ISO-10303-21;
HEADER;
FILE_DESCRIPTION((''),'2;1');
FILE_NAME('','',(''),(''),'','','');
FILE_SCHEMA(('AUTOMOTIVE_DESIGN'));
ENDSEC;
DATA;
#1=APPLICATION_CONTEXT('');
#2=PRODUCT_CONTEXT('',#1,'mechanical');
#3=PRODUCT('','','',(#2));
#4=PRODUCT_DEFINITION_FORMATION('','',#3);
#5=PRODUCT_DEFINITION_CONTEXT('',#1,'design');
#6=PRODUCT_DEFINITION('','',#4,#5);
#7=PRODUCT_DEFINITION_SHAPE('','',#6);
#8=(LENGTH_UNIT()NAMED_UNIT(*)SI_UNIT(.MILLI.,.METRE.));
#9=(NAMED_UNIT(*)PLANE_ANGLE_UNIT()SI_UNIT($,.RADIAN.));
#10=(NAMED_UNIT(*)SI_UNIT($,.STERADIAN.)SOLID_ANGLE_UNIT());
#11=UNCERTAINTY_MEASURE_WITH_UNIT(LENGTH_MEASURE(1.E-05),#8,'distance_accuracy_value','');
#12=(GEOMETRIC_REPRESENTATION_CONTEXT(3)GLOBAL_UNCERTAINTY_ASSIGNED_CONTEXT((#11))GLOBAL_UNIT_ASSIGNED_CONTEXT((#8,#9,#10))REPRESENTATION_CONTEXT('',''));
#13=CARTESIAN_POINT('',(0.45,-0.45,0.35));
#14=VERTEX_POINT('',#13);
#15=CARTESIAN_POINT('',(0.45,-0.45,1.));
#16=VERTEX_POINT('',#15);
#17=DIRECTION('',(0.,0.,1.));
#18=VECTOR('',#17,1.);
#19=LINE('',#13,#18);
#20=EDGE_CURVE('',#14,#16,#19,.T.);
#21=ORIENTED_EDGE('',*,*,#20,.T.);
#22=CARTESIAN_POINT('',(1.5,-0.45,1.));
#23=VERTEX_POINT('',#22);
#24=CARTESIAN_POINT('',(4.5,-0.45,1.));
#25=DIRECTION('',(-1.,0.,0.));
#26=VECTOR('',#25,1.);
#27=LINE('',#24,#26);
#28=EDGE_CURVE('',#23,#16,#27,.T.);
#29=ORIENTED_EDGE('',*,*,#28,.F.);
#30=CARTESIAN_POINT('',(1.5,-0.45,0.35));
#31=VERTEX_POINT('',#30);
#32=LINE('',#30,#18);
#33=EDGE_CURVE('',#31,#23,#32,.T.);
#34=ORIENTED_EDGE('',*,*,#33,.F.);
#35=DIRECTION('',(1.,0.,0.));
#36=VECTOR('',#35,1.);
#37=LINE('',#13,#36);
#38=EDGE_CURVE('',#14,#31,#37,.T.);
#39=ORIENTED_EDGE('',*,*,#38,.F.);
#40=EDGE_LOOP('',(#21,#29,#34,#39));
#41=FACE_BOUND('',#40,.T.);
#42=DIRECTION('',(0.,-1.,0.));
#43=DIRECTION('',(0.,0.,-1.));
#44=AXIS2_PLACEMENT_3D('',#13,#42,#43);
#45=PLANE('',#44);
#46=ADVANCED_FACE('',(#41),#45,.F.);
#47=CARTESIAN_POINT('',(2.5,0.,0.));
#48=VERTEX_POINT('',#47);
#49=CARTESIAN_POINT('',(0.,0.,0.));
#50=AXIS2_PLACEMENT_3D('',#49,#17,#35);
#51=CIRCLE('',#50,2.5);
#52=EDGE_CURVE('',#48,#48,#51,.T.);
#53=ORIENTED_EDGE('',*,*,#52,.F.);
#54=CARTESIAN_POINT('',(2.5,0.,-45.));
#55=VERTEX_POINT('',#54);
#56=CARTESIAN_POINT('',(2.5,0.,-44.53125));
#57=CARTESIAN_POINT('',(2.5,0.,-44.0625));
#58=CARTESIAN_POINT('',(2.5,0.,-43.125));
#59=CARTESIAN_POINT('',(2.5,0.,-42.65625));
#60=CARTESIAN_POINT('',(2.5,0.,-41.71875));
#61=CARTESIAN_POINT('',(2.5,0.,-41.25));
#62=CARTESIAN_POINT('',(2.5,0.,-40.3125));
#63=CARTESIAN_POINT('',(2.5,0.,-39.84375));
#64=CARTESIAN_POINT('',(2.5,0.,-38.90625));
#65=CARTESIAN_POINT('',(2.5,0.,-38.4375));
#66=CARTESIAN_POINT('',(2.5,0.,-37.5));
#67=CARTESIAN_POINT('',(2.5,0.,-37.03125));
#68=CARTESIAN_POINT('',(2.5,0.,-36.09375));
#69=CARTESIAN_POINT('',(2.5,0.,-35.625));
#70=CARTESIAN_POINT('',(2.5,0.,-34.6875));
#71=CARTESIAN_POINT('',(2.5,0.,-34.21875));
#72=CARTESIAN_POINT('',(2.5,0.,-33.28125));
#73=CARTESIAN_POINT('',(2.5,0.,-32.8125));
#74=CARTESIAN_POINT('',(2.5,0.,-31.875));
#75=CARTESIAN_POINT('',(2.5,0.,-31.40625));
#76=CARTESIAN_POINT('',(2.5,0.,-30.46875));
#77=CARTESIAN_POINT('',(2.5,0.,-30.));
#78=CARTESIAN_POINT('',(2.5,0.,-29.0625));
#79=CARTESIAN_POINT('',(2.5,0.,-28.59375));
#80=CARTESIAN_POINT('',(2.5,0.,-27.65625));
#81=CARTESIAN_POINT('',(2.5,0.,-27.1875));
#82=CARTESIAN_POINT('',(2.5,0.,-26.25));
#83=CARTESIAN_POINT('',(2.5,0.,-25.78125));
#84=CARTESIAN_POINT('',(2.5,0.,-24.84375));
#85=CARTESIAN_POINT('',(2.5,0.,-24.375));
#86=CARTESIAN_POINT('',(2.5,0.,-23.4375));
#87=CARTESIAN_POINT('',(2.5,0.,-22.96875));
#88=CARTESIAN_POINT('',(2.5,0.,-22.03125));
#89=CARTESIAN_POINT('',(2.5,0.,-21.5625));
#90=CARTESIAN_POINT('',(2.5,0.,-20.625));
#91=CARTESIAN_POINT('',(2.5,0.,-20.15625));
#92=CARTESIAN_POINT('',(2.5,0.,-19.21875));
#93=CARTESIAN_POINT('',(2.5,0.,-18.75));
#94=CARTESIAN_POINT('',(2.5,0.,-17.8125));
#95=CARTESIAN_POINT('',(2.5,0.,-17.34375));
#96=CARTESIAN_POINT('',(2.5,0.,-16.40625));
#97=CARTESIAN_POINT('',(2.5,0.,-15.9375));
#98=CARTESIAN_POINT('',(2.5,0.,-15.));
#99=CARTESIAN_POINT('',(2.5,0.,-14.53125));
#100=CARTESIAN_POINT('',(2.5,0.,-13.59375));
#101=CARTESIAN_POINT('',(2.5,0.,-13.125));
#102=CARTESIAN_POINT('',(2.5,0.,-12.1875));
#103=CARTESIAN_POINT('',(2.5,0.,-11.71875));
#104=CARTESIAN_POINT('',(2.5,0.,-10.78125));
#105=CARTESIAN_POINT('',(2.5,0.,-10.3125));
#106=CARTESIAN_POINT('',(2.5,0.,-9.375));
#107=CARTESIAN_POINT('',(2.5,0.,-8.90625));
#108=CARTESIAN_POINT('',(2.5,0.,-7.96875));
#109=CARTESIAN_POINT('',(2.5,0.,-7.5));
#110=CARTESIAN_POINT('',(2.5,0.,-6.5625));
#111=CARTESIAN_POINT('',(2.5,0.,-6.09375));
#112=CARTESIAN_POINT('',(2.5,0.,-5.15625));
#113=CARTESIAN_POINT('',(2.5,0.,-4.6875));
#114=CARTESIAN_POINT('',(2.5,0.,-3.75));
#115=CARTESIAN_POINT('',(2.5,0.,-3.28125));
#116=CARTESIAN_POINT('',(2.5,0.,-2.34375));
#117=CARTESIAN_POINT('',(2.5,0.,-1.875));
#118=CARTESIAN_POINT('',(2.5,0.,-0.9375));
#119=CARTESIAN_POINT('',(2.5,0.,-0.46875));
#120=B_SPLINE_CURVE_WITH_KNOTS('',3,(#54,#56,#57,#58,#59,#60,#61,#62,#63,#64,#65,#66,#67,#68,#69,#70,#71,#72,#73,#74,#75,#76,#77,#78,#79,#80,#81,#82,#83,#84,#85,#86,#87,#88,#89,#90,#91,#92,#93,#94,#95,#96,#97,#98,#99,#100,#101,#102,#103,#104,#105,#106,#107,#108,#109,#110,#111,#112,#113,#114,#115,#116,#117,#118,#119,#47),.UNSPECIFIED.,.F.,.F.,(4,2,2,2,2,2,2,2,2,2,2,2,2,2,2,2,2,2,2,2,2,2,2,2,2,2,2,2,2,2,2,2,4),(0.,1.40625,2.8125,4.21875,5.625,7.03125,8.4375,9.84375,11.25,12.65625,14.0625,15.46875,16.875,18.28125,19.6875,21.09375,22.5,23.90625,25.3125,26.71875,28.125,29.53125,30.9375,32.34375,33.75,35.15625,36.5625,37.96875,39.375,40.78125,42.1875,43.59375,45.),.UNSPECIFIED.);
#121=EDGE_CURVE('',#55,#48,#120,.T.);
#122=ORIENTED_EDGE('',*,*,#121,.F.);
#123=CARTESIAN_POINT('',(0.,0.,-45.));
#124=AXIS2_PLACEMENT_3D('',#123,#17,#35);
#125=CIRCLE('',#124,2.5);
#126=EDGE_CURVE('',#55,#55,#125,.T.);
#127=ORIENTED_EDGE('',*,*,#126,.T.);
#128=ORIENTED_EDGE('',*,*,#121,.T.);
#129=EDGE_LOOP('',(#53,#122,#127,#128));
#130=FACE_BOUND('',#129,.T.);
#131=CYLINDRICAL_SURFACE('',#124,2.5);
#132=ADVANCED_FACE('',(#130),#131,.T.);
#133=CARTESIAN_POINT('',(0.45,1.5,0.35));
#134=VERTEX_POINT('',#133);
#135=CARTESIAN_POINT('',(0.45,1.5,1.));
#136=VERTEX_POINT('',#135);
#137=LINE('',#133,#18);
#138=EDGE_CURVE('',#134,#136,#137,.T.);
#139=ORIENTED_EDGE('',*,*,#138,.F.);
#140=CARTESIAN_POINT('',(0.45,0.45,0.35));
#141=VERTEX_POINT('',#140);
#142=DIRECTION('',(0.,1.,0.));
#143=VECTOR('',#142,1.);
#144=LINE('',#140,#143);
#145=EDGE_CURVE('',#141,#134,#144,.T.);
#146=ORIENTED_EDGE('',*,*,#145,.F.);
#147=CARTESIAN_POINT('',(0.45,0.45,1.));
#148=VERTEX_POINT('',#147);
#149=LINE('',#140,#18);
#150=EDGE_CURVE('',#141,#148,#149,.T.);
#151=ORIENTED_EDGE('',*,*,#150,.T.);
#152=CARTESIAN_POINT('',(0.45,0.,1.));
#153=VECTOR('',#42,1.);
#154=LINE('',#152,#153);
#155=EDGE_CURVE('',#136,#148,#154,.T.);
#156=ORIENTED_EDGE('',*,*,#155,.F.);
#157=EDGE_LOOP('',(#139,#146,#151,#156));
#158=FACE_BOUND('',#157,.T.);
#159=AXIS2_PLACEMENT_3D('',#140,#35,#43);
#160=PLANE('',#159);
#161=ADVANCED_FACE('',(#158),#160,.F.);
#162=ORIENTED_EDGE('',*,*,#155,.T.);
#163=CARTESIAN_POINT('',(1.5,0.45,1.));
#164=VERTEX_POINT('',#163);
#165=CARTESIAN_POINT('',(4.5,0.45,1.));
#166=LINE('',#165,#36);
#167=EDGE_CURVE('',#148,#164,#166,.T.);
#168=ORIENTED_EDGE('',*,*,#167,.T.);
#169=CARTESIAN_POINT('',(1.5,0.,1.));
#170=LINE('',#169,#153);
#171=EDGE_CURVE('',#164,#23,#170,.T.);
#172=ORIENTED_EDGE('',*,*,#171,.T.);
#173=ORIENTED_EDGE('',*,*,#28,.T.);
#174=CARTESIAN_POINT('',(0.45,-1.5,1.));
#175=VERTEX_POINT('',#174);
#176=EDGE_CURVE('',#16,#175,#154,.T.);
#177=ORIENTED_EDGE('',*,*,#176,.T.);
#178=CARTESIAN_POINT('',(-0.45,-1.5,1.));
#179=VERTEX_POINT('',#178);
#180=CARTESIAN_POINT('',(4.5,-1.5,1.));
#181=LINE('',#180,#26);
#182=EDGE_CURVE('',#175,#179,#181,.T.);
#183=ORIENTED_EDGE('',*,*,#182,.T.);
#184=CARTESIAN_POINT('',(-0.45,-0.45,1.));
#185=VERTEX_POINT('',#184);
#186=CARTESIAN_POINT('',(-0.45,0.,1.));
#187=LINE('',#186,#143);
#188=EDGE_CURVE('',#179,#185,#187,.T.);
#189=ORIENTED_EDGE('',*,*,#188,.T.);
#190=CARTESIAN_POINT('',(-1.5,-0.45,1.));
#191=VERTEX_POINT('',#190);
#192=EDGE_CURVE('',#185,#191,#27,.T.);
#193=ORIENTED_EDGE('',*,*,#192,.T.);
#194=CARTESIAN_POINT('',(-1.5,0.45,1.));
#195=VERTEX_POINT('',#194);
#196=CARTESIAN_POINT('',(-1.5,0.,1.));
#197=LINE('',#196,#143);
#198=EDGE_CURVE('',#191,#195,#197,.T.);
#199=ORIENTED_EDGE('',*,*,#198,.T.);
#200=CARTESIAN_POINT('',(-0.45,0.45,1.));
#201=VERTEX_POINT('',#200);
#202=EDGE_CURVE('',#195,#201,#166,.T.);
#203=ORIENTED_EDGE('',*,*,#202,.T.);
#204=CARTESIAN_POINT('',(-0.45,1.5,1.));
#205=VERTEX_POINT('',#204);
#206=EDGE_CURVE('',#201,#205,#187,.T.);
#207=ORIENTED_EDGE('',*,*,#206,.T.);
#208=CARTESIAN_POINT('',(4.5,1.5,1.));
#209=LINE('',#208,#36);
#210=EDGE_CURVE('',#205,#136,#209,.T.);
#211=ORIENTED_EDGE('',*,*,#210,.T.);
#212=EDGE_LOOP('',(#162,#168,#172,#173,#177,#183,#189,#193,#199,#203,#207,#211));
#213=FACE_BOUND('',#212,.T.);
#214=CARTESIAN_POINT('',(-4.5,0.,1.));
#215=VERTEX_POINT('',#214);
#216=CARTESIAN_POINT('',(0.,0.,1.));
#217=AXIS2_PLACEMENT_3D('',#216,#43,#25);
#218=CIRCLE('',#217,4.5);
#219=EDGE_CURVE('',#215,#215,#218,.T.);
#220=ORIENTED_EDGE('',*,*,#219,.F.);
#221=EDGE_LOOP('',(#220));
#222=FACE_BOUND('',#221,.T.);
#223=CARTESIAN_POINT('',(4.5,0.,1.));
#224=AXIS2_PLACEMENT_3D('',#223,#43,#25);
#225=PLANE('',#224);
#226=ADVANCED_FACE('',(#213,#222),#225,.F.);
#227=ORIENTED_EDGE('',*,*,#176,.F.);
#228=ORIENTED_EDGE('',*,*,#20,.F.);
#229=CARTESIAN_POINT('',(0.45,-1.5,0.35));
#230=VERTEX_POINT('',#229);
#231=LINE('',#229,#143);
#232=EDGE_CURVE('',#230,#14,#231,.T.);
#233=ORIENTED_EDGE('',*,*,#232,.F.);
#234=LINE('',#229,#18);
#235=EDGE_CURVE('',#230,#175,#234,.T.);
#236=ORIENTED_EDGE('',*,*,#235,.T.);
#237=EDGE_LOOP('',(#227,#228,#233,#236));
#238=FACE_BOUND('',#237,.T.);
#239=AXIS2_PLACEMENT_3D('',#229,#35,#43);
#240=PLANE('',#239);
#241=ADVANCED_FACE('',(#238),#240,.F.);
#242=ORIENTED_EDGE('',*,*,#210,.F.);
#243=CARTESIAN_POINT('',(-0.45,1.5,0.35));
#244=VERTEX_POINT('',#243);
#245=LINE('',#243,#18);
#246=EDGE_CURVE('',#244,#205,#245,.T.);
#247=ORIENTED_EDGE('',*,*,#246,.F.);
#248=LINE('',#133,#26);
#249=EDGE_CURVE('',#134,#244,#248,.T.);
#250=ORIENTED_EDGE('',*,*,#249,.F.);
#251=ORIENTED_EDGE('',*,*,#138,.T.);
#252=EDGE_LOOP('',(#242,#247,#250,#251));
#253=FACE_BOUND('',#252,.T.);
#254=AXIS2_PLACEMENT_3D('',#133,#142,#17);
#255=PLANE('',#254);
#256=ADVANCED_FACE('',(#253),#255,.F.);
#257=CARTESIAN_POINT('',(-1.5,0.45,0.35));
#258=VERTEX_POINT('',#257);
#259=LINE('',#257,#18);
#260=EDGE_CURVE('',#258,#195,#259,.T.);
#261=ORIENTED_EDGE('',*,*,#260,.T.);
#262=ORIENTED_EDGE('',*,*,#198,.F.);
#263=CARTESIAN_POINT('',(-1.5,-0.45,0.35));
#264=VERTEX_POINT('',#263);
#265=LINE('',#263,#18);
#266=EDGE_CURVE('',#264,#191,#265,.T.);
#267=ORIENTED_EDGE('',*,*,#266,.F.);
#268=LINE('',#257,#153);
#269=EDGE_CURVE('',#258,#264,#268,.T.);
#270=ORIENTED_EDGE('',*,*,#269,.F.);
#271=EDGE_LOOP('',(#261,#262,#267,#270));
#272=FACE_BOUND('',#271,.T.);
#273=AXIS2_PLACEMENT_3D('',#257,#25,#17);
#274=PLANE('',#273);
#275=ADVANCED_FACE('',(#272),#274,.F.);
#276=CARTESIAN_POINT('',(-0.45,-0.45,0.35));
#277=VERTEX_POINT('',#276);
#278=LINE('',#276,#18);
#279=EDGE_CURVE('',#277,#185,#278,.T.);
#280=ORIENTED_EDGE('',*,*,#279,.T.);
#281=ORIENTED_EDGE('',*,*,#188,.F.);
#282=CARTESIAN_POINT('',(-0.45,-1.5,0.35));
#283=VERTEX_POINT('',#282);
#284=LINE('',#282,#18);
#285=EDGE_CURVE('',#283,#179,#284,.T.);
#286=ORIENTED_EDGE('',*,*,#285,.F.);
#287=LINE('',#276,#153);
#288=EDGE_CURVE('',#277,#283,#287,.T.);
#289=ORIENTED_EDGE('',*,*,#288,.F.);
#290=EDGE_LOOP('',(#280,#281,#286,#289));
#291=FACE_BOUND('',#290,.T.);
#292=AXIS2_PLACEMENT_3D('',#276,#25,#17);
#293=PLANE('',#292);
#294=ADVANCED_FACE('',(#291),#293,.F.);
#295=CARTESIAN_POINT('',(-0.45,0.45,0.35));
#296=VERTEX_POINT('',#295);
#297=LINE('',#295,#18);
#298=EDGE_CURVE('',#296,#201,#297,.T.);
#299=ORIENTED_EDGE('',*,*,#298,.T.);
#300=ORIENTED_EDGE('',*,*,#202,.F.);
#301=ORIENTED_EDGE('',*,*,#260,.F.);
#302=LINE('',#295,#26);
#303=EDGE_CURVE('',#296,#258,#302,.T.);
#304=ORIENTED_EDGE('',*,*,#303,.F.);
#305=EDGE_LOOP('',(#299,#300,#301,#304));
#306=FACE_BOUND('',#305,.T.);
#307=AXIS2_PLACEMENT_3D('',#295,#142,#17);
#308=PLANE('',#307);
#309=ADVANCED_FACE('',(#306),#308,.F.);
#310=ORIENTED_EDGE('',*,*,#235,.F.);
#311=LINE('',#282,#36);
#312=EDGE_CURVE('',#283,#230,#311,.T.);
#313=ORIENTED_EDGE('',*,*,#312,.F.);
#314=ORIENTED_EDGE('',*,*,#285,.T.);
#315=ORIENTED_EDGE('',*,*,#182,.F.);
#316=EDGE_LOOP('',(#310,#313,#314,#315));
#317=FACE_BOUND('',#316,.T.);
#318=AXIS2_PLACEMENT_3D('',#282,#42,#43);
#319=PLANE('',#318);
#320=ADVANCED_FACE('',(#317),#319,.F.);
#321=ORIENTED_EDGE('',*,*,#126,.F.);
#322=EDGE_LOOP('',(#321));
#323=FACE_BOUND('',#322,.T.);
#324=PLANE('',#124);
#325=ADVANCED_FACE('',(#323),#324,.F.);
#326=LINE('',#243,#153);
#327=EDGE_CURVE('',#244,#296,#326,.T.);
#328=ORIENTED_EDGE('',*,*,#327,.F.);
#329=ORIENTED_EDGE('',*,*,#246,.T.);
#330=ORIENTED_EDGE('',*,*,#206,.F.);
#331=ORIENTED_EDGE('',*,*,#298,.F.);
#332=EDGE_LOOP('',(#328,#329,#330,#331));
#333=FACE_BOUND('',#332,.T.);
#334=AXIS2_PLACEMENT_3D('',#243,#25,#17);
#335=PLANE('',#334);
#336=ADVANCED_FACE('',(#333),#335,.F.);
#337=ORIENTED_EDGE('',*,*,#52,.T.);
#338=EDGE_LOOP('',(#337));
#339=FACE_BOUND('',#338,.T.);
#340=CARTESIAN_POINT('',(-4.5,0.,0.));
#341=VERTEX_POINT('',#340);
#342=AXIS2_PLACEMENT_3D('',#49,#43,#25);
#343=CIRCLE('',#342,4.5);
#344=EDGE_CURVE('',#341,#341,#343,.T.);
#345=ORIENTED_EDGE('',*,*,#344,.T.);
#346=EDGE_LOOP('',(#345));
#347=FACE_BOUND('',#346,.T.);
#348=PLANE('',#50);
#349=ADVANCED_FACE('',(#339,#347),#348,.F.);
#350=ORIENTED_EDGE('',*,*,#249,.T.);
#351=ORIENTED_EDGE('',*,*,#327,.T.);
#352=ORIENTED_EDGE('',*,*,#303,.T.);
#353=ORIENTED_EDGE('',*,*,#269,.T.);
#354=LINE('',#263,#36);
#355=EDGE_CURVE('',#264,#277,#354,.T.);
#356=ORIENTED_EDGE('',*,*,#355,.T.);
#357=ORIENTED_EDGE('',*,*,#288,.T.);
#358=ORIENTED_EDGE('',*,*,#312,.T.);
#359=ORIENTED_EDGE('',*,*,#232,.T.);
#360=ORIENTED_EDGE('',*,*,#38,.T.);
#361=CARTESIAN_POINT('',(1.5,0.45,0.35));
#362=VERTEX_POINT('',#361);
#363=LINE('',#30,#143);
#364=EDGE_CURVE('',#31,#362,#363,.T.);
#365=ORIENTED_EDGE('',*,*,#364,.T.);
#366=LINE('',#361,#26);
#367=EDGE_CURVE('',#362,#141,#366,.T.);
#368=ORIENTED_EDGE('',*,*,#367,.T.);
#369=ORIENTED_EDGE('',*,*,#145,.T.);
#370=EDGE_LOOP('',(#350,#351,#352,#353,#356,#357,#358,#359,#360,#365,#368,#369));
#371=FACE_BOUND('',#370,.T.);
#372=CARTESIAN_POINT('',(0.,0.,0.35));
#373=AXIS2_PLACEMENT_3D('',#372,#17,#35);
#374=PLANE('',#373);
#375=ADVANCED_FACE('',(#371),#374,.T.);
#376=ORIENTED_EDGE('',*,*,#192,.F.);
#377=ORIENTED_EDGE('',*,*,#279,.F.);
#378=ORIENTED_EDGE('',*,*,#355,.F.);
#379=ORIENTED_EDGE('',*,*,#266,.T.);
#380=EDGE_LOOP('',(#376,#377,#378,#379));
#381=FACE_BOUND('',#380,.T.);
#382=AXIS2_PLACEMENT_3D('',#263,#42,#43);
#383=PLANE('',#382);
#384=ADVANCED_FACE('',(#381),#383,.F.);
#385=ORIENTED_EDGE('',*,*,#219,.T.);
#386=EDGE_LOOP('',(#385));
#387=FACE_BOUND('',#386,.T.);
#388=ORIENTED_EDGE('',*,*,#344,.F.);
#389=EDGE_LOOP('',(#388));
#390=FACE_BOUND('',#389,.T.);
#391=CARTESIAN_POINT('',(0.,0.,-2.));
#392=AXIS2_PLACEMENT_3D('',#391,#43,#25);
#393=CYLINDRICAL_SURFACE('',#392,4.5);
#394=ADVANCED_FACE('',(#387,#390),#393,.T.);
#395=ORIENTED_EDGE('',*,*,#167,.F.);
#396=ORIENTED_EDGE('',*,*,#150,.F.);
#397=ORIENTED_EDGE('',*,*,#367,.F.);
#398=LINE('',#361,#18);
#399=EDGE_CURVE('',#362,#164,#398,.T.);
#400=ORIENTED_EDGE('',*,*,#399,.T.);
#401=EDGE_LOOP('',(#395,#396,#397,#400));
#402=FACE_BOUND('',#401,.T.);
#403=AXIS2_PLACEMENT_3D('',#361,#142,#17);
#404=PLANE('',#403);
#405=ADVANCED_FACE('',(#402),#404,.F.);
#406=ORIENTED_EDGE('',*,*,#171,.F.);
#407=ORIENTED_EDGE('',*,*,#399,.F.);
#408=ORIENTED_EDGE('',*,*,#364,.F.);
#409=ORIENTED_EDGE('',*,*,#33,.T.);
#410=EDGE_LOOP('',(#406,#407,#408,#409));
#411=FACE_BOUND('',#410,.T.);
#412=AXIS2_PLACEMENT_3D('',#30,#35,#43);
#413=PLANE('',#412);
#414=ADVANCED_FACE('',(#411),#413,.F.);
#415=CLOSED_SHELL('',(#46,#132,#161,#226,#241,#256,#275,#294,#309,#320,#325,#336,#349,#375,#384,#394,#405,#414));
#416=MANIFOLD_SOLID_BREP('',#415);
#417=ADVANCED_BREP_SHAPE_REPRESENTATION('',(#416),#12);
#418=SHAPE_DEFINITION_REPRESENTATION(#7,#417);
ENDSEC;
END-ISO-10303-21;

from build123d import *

# Parameters (mm, degrees)
SKETCH_1_R        = 2.5
EXTRUDE_198_DEPTH = 45
SKETCH_6_W        = 4.5
SKETCH_6_H        = 1
PH2_START         = 1.01
PH2_DEPTH         = 0.66


with BuildPart() as part:
    # 草图1 → Extrude 198 (new body)
    with BuildSketch(Plane.XY):
        Circle(SKETCH_1_R)
    extrude(amount=-EXTRUDE_198_DEPTH)

    # 草图6 → Revolve 324 (revolve)
    with BuildSketch(Plane(origin=(0, 0, 0), x_dir=(1, 0, 0), z_dir=(0, 1, 0)), mode=Mode.PRIVATE) as revolve_324_sk:
        with Locations((2.25, -0.5)):
            Rectangle(SKETCH_6_W, SKETCH_6_H)
    revolve(revolve_324_sk.sketch.rotate(Axis((0, 0, -2), (0, 0, 1)), 180), axis=Axis((0, 0, -2), (0, 0, 1)))

    # 草图7 → 十字槽_PH2_简化 (cut)
    with BuildSketch(Plane.XY.offset(PH2_START)):
        Polygon((-0.45, -1.5), (0.45, -1.5), (0.45, -0.45), (1.5, -0.45), (1.5, 0.45), (0.45, 0.45), (0.45, 1.5), (-0.45, 1.5), (-0.45, 0.45), (-1.5, 0.45), (-1.5, -0.45), (-0.45, -0.45), align=None)
    extrude(amount=-PH2_DEPTH, mode=Mode.SUBTRACT)


solid = part.part
